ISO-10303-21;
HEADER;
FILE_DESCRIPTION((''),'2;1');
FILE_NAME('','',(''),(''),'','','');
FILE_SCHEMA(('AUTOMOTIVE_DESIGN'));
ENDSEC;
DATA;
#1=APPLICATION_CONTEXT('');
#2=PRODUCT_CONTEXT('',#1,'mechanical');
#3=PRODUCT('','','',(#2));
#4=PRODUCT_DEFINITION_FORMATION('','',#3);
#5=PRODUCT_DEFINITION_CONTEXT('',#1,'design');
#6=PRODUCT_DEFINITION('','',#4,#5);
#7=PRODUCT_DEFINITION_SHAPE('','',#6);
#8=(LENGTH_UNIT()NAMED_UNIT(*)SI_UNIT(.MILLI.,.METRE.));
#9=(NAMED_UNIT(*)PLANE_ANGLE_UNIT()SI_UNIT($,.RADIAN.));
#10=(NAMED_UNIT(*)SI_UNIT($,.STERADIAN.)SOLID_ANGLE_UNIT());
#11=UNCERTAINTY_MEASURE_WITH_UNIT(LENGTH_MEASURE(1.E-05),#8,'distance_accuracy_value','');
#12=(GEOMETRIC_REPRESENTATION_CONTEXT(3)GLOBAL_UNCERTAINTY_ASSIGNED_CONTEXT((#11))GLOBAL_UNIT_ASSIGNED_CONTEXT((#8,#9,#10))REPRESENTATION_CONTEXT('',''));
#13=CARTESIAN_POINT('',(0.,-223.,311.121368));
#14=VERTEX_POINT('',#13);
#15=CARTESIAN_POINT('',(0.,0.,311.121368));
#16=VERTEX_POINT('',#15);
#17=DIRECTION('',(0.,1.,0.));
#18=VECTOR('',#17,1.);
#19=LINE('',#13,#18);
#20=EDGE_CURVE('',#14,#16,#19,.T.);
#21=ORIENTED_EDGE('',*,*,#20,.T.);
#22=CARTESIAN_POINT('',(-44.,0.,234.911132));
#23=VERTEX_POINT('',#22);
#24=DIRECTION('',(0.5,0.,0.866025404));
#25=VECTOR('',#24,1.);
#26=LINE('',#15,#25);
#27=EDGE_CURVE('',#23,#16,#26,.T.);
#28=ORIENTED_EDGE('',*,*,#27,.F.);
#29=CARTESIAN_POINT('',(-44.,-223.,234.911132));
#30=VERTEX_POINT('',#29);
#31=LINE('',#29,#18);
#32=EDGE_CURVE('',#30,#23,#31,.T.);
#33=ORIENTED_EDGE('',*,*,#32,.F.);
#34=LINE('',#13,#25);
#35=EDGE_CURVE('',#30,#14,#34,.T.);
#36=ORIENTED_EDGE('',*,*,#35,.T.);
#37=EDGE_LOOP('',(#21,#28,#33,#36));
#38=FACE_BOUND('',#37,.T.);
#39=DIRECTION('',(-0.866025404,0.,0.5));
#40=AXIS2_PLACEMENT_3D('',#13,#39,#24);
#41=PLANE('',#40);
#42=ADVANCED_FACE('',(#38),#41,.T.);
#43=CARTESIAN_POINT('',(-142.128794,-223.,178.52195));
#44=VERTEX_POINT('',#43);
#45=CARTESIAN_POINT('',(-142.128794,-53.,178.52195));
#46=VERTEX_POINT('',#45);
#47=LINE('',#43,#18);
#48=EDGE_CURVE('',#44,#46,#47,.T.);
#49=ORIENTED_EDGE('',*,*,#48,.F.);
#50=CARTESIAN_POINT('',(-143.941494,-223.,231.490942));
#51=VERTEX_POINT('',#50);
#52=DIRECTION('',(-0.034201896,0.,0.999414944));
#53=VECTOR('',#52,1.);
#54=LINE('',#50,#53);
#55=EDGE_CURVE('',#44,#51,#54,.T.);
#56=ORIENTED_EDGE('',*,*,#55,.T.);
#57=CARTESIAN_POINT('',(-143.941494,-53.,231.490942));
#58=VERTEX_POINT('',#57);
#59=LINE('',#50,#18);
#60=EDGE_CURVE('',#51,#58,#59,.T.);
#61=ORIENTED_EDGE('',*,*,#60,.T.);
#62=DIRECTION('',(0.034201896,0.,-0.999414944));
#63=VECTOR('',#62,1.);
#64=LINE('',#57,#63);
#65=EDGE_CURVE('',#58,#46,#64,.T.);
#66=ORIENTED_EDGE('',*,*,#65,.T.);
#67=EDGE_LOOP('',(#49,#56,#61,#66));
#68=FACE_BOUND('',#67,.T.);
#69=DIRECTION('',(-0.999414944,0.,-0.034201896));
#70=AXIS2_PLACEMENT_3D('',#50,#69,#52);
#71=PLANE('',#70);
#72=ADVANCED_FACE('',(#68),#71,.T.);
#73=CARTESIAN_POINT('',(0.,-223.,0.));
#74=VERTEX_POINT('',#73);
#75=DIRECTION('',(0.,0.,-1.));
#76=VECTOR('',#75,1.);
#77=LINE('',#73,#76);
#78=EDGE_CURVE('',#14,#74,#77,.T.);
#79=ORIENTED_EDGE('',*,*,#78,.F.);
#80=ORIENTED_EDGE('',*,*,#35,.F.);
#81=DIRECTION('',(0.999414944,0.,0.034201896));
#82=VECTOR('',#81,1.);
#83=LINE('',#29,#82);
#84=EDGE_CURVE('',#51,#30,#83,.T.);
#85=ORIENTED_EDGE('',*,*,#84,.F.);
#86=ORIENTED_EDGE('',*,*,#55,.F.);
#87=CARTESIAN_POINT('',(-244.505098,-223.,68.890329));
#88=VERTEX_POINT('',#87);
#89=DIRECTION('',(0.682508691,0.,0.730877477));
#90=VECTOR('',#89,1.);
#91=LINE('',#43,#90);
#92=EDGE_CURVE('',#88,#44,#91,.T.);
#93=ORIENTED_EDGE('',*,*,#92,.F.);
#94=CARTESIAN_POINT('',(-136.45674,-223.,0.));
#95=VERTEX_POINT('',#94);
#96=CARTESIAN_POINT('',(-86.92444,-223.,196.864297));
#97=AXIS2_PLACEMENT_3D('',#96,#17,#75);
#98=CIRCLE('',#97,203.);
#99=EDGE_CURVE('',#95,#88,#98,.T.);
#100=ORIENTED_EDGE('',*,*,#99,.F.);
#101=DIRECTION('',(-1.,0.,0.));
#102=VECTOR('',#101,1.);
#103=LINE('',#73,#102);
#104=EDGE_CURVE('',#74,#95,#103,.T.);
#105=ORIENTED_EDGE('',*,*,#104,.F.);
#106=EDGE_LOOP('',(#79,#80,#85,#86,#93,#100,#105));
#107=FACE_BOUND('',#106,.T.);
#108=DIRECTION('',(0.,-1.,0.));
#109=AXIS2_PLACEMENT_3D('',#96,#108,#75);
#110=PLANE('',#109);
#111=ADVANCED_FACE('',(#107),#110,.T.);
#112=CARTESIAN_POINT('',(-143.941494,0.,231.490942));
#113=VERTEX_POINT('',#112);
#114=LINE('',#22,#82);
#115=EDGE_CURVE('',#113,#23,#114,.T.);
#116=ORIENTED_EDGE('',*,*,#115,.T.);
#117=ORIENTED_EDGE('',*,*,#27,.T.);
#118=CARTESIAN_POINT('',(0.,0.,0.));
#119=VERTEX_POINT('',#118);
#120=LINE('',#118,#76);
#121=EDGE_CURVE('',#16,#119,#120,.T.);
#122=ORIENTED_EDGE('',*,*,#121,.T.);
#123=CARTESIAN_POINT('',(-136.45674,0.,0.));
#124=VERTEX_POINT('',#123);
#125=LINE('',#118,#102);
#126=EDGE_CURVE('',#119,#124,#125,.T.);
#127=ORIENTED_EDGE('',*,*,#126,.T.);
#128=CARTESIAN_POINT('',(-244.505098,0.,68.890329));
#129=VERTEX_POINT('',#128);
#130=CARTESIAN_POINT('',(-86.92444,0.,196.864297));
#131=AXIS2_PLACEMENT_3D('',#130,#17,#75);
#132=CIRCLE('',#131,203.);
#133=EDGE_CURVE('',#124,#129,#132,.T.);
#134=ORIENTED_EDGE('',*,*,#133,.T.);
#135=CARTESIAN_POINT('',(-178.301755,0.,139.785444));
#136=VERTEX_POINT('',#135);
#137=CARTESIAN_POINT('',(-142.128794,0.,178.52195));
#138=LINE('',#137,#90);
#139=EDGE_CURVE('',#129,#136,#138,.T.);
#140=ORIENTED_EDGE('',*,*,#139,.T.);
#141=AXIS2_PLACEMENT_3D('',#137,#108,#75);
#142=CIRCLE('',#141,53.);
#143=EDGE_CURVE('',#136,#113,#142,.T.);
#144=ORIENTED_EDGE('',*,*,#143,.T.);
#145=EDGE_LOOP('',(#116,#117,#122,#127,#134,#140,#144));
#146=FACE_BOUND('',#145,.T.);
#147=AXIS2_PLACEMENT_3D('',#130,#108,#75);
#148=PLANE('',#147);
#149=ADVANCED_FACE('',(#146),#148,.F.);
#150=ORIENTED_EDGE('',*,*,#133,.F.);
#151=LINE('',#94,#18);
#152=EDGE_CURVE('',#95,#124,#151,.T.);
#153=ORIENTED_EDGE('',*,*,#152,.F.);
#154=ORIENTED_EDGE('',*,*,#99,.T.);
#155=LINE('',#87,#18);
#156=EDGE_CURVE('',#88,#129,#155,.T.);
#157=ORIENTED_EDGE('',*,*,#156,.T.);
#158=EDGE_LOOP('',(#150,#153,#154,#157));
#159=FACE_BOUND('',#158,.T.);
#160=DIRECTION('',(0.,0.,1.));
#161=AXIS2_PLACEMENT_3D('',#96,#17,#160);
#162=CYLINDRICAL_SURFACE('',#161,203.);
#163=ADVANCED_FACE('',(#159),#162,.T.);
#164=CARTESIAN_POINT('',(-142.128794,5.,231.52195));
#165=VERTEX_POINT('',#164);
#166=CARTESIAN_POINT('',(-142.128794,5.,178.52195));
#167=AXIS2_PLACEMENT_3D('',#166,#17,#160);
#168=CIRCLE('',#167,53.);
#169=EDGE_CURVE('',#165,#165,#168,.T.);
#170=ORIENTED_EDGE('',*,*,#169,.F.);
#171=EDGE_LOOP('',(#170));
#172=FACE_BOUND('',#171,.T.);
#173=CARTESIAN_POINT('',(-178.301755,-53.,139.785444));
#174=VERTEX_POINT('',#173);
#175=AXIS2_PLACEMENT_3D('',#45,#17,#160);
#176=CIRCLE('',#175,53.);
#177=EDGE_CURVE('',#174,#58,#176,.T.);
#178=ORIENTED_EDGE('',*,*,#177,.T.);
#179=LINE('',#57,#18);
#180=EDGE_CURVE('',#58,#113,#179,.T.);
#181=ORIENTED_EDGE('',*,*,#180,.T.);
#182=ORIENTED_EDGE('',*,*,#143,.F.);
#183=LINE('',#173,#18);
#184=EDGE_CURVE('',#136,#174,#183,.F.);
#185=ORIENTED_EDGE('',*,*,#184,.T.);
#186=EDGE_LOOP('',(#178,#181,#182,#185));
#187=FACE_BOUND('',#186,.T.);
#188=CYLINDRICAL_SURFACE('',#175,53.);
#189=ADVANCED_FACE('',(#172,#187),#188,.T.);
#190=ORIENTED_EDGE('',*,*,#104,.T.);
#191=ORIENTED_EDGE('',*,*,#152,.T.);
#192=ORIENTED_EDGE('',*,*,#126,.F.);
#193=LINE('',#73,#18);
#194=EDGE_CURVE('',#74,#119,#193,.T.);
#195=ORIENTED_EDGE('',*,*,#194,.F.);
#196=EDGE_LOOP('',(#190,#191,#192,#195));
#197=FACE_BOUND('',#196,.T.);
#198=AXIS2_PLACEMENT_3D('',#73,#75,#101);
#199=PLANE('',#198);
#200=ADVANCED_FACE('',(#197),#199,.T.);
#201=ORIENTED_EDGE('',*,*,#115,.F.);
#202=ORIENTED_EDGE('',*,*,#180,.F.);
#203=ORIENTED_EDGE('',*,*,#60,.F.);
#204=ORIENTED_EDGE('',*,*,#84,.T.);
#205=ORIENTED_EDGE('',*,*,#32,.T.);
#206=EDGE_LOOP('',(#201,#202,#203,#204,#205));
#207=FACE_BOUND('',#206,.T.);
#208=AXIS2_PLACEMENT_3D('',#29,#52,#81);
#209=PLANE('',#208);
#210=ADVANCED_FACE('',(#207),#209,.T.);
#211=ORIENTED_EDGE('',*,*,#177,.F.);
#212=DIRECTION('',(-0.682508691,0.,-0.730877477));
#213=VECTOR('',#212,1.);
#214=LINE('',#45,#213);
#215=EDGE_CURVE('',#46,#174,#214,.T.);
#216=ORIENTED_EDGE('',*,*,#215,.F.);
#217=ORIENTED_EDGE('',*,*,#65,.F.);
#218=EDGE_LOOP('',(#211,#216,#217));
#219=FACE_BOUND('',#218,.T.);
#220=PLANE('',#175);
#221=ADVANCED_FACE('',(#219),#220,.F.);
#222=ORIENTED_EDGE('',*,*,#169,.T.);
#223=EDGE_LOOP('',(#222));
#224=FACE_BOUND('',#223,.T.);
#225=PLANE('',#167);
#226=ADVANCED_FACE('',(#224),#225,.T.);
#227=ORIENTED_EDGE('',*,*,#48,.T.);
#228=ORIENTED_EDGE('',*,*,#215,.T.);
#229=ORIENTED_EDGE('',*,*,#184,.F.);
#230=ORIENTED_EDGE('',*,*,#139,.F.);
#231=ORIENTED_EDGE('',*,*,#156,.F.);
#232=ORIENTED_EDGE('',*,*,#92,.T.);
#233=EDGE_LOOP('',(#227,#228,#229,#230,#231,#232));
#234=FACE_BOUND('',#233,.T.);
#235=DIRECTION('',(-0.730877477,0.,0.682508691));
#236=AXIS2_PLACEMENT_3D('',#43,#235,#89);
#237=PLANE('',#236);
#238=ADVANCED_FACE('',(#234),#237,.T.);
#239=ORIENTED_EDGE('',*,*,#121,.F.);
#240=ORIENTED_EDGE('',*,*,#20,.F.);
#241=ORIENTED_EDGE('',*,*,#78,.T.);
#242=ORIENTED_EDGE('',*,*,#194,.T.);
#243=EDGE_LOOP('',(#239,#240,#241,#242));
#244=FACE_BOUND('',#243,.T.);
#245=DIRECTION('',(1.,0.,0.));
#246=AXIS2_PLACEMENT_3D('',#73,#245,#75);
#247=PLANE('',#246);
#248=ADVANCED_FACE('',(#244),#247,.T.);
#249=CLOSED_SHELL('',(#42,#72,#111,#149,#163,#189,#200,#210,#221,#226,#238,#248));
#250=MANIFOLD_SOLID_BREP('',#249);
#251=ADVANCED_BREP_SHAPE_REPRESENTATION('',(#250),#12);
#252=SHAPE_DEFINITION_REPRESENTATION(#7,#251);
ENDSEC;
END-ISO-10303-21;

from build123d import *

# Parameters (mm, degrees)
BOSS_EXTRUDE1_DEPTH      = 223
BOSS_EXTRUDE2_DEPTH      = 5
BOSS_EXTRUDE2_DEPTH_BACK = 53
SKETCH3_R                = 53


with BuildPart() as part:
    # Sketch2 → Boss-Extrude1 (new body)
    with BuildSketch(Plane(origin=(0, 0, 0), x_dir=(1, 0, 0), z_dir=(0, 1, 0))):
        with BuildLine():
            Line((0, 0), (0, -311.121367585))
            Line((0, -311.121367585), (-44, -234.911132052))
            Line((-44, -234.911132052), (-143.9414944, -231.490942435))
            Line((-143.9414944, -231.490942435), (-142.128793904, -178.521950403))
            Line((-142.128793904, -178.521950403), (-244.505097616, -68.890328878))
            ThreePointArc((-244.505097616, -68.890328878), (-196.059281714, -25.695998193), (-136.456740169, 0))
            Line((-136.456740169, 0), (0, 0))
        make_face()
    extrude(amount=-BOSS_EXTRUDE1_DEPTH)

    # Sketch3 → Boss-Extrude2 (add, two sides: drawn at the far end of the back side and taken through both)
    with BuildSketch(Plane(origin=(0, 0, 0), x_dir=(1, 0, 0), z_dir=(0, 1, 0)).offset(-BOSS_EXTRUDE2_DEPTH_BACK)):
        with Locations(Location((-142.128793904, -178.521950403, 0), (0, 0, 270))):
            Circle(SKETCH3_R)
    extrude(amount=BOSS_EXTRUDE2_DEPTH + BOSS_EXTRUDE2_DEPTH_BACK)


solid = part.part
